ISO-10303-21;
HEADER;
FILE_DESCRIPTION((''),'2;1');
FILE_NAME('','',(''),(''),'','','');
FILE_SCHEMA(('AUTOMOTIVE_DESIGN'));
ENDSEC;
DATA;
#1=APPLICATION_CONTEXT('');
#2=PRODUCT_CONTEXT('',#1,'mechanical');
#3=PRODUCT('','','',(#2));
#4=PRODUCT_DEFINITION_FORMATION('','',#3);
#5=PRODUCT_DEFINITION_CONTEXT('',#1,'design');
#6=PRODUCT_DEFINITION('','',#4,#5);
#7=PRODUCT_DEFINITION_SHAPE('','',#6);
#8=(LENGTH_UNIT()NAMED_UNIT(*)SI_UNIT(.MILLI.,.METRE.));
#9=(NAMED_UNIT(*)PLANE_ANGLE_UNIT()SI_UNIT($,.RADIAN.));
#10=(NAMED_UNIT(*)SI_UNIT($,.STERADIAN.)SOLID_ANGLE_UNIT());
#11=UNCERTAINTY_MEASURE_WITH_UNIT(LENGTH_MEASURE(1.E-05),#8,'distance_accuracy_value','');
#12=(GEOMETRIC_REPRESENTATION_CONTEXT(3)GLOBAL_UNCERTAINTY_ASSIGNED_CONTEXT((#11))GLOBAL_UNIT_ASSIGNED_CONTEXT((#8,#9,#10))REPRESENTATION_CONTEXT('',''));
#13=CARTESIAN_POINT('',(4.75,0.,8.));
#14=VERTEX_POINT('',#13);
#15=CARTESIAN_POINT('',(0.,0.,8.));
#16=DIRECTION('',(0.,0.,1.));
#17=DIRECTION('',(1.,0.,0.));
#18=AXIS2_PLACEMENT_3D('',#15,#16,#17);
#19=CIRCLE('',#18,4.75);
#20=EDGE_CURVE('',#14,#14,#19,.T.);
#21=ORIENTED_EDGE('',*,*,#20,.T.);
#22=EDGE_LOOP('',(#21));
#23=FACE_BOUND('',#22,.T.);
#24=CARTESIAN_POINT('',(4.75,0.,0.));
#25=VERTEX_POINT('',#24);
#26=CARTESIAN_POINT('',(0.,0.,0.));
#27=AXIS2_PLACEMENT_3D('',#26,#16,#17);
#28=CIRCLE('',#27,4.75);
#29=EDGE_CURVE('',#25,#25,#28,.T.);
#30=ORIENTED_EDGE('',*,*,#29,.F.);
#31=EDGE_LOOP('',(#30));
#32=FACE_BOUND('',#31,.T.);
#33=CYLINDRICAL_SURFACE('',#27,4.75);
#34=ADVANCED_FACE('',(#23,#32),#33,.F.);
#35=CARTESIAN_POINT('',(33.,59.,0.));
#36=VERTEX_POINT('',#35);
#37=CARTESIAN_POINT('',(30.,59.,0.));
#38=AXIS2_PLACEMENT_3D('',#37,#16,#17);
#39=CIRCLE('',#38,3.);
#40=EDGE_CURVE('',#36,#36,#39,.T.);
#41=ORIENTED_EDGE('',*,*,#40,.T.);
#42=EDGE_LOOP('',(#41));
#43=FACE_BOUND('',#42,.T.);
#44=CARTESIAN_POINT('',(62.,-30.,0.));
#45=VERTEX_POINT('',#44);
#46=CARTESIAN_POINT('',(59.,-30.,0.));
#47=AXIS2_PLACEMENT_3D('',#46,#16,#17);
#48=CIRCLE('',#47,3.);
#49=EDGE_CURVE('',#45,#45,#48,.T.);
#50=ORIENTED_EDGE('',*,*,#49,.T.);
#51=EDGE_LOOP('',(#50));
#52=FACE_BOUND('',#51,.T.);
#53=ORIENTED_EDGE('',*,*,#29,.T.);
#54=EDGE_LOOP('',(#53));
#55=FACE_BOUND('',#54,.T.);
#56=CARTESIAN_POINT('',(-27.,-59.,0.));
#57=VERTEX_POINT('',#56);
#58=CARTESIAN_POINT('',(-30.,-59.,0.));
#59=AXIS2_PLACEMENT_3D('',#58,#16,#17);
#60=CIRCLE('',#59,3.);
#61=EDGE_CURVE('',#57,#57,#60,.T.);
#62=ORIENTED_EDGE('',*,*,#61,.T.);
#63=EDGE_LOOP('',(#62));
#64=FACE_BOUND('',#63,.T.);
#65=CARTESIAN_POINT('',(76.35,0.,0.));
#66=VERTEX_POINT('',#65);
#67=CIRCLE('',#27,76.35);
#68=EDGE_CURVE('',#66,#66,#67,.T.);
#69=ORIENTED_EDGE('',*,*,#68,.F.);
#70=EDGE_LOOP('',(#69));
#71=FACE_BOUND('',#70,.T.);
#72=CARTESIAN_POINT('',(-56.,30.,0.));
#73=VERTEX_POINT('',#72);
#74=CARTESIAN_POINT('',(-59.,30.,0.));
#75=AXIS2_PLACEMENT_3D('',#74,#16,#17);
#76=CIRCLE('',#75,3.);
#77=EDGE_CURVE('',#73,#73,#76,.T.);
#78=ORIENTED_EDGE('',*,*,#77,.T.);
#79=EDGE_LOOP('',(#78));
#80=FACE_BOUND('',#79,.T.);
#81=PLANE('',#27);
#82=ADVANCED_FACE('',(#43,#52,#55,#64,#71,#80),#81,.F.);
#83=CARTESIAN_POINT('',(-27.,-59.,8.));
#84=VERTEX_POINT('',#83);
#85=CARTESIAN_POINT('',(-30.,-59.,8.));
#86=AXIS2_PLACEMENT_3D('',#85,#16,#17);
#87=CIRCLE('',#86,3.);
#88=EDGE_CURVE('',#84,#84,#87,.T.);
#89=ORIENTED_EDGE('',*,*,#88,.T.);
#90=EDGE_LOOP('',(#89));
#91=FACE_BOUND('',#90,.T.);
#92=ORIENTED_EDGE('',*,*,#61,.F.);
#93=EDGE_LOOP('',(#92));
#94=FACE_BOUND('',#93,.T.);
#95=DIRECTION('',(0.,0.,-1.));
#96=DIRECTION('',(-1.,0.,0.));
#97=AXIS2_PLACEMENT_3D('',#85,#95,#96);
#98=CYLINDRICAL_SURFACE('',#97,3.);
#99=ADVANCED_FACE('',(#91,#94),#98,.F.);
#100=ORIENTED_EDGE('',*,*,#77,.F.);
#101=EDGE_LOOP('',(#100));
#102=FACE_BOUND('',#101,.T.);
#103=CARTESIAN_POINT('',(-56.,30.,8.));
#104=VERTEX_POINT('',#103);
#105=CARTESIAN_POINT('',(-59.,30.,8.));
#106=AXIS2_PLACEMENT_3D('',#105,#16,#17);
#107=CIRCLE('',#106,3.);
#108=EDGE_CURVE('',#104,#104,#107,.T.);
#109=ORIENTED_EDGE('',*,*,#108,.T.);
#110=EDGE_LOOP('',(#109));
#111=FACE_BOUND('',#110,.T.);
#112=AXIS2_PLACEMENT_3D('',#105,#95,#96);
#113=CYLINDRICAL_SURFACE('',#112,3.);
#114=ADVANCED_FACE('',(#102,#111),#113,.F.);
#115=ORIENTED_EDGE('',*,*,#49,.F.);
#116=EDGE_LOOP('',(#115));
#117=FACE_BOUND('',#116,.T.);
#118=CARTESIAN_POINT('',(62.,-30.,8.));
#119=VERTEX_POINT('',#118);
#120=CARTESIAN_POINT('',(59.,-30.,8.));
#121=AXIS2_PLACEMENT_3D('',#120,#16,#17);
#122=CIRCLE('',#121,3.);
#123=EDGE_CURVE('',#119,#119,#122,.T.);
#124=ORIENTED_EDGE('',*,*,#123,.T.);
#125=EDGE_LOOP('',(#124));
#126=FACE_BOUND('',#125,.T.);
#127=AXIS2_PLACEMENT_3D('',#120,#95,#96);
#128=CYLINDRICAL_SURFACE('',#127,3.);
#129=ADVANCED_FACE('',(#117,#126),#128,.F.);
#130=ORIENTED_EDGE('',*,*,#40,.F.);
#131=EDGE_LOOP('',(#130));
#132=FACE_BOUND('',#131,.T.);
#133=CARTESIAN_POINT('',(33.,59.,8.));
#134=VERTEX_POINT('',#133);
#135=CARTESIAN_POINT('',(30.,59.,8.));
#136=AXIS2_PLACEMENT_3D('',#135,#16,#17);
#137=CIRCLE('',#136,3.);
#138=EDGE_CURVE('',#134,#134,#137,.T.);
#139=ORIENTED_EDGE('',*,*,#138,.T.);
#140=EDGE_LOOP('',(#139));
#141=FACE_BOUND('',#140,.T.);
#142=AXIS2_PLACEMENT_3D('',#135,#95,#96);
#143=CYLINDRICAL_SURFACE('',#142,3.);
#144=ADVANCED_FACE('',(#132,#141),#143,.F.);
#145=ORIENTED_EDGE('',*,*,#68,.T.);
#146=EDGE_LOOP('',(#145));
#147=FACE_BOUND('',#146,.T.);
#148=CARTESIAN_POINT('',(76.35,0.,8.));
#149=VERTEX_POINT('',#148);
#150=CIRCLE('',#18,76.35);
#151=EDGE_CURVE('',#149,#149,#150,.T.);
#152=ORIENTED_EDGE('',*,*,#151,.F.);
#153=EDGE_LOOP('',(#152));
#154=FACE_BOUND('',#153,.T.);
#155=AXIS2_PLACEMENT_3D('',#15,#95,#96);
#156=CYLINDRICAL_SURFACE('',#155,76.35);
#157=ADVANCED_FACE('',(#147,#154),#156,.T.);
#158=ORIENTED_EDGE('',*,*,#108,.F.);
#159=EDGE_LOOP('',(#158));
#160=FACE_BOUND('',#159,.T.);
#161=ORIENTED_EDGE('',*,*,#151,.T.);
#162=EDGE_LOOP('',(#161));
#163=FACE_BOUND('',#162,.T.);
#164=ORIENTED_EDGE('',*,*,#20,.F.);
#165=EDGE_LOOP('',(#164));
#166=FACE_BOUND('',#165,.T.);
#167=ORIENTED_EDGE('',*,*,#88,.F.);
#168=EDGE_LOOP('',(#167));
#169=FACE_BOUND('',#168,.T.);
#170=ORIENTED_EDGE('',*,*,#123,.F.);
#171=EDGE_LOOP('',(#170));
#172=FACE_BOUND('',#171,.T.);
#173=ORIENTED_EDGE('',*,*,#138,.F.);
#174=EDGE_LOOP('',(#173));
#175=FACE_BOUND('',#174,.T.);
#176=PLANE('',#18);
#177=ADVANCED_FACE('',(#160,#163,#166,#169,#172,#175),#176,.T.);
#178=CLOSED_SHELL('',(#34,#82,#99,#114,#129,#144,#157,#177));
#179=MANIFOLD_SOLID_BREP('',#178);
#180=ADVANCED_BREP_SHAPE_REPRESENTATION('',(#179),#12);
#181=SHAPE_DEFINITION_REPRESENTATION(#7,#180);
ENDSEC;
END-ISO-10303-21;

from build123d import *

# Parameters (mm, degrees)
SKETCH1_R           = 3
BOSS_EXTRUDE3_DEPTH = 8
SKETCH2_R           = 4.75
CUT_EXTRUDE1_DEPTH  = 109.271164213


with BuildPart() as part:
    # Sketch1 → Boss-Extrude3 (new body)
    # profile 1 of 5: a face of its own
    with BuildSketch(Plane.XY):
        with BuildLine():
            ThreePointArc((76.35, 0), (53.987602744, 53.987602744), (0, 76.35))
            ThreePointArc((0, 76.35), (-62.014972319, 44.536116897), (-72.348554199, -24.392810524))
            ThreePointArc((-72.348554199, -24.392810524), (-44.536116897, -62.014972319), (0, -76.35))
            ThreePointArc((0, -76.35), (53.987602744, -53.987602744), (76.35, 0))
        make_face()
        Polygon((-27.25, -54.236860279), (-24.5, -59), (-27.25, -63.763139721), (-32.75, -63.763139721), (-35.5, -59), (-32.75, -54.236860279), align=None, mode=Mode.SUBTRACT)
        Polygon((54.236860279, -27.25), (59, -24.5), (63.763139721, -27.25), (63.763139721, -32.75), (59, -35.5), (54.236860279, -32.75), align=None, mode=Mode.SUBTRACT)
        Polygon((-54.236860279, 27.25), (-59, 24.5), (-63.763139721, 27.25), (-63.763139721, 32.75), (-59, 35.5), (-54.236860279, 32.75), align=None, mode=Mode.SUBTRACT)
        Polygon((27.25, 54.236860279), (24.5, 59), (27.25, 63.763139721), (32.75, 63.763139721), (35.5, 59), (32.75, 54.236860279), align=None, mode=Mode.SUBTRACT)
    # profile 2 of 5: a face of its own
    with BuildSketch(Plane.XY):
        Polygon((-63.763139721, 32.75), (-63.763139721, 27.25), (-59, 24.5), (-54.236860279, 27.25), (-54.236860279, 32.75), (-59, 35.5), align=None)
        with Locations((-59, 30)):
            Circle(SKETCH1_R, mode=Mode.SUBTRACT)
    # profile 3 of 5: a face of its own
    with BuildSketch(Plane.XY):
        Polygon((32.75, 63.763139721), (27.25, 63.763139721), (24.5, 59), (27.25, 54.236860279), (32.75, 54.236860279), (35.5, 59), align=None)
        with Locations((30, 59)):
            Circle(SKETCH1_R, mode=Mode.SUBTRACT)
    # profile 4 of 5: a face of its own
    with BuildSketch(Plane.XY):
        Polygon((63.763139721, -32.75), (63.763139721, -27.25), (59, -24.5), (54.236860279, -27.25), (54.236860279, -32.75), (59, -35.5), align=None)
        with Locations((59, -30)):
            Circle(SKETCH1_R, mode=Mode.SUBTRACT)
    # profile 5 of 5: a face of its own
    with BuildSketch(Plane.XY):
        Polygon((-32.75, -63.763139721), (-27.25, -63.763139721), (-24.5, -59), (-27.25, -54.236860279), (-32.75, -54.236860279), (-35.5, -59), align=None)
        with Locations((-30, -59)):
            Circle(SKETCH1_R, mode=Mode.SUBTRACT)
    extrude(amount=BOSS_EXTRUDE3_DEPTH)

    # Sketch2 → Cut-Extrude1 (cut, through all)
    with BuildSketch(Plane.XY.offset(8)):
        Circle(SKETCH2_R)
    extrude(amount=-CUT_EXTRUDE1_DEPTH, mode=Mode.SUBTRACT)


solid = part.part
